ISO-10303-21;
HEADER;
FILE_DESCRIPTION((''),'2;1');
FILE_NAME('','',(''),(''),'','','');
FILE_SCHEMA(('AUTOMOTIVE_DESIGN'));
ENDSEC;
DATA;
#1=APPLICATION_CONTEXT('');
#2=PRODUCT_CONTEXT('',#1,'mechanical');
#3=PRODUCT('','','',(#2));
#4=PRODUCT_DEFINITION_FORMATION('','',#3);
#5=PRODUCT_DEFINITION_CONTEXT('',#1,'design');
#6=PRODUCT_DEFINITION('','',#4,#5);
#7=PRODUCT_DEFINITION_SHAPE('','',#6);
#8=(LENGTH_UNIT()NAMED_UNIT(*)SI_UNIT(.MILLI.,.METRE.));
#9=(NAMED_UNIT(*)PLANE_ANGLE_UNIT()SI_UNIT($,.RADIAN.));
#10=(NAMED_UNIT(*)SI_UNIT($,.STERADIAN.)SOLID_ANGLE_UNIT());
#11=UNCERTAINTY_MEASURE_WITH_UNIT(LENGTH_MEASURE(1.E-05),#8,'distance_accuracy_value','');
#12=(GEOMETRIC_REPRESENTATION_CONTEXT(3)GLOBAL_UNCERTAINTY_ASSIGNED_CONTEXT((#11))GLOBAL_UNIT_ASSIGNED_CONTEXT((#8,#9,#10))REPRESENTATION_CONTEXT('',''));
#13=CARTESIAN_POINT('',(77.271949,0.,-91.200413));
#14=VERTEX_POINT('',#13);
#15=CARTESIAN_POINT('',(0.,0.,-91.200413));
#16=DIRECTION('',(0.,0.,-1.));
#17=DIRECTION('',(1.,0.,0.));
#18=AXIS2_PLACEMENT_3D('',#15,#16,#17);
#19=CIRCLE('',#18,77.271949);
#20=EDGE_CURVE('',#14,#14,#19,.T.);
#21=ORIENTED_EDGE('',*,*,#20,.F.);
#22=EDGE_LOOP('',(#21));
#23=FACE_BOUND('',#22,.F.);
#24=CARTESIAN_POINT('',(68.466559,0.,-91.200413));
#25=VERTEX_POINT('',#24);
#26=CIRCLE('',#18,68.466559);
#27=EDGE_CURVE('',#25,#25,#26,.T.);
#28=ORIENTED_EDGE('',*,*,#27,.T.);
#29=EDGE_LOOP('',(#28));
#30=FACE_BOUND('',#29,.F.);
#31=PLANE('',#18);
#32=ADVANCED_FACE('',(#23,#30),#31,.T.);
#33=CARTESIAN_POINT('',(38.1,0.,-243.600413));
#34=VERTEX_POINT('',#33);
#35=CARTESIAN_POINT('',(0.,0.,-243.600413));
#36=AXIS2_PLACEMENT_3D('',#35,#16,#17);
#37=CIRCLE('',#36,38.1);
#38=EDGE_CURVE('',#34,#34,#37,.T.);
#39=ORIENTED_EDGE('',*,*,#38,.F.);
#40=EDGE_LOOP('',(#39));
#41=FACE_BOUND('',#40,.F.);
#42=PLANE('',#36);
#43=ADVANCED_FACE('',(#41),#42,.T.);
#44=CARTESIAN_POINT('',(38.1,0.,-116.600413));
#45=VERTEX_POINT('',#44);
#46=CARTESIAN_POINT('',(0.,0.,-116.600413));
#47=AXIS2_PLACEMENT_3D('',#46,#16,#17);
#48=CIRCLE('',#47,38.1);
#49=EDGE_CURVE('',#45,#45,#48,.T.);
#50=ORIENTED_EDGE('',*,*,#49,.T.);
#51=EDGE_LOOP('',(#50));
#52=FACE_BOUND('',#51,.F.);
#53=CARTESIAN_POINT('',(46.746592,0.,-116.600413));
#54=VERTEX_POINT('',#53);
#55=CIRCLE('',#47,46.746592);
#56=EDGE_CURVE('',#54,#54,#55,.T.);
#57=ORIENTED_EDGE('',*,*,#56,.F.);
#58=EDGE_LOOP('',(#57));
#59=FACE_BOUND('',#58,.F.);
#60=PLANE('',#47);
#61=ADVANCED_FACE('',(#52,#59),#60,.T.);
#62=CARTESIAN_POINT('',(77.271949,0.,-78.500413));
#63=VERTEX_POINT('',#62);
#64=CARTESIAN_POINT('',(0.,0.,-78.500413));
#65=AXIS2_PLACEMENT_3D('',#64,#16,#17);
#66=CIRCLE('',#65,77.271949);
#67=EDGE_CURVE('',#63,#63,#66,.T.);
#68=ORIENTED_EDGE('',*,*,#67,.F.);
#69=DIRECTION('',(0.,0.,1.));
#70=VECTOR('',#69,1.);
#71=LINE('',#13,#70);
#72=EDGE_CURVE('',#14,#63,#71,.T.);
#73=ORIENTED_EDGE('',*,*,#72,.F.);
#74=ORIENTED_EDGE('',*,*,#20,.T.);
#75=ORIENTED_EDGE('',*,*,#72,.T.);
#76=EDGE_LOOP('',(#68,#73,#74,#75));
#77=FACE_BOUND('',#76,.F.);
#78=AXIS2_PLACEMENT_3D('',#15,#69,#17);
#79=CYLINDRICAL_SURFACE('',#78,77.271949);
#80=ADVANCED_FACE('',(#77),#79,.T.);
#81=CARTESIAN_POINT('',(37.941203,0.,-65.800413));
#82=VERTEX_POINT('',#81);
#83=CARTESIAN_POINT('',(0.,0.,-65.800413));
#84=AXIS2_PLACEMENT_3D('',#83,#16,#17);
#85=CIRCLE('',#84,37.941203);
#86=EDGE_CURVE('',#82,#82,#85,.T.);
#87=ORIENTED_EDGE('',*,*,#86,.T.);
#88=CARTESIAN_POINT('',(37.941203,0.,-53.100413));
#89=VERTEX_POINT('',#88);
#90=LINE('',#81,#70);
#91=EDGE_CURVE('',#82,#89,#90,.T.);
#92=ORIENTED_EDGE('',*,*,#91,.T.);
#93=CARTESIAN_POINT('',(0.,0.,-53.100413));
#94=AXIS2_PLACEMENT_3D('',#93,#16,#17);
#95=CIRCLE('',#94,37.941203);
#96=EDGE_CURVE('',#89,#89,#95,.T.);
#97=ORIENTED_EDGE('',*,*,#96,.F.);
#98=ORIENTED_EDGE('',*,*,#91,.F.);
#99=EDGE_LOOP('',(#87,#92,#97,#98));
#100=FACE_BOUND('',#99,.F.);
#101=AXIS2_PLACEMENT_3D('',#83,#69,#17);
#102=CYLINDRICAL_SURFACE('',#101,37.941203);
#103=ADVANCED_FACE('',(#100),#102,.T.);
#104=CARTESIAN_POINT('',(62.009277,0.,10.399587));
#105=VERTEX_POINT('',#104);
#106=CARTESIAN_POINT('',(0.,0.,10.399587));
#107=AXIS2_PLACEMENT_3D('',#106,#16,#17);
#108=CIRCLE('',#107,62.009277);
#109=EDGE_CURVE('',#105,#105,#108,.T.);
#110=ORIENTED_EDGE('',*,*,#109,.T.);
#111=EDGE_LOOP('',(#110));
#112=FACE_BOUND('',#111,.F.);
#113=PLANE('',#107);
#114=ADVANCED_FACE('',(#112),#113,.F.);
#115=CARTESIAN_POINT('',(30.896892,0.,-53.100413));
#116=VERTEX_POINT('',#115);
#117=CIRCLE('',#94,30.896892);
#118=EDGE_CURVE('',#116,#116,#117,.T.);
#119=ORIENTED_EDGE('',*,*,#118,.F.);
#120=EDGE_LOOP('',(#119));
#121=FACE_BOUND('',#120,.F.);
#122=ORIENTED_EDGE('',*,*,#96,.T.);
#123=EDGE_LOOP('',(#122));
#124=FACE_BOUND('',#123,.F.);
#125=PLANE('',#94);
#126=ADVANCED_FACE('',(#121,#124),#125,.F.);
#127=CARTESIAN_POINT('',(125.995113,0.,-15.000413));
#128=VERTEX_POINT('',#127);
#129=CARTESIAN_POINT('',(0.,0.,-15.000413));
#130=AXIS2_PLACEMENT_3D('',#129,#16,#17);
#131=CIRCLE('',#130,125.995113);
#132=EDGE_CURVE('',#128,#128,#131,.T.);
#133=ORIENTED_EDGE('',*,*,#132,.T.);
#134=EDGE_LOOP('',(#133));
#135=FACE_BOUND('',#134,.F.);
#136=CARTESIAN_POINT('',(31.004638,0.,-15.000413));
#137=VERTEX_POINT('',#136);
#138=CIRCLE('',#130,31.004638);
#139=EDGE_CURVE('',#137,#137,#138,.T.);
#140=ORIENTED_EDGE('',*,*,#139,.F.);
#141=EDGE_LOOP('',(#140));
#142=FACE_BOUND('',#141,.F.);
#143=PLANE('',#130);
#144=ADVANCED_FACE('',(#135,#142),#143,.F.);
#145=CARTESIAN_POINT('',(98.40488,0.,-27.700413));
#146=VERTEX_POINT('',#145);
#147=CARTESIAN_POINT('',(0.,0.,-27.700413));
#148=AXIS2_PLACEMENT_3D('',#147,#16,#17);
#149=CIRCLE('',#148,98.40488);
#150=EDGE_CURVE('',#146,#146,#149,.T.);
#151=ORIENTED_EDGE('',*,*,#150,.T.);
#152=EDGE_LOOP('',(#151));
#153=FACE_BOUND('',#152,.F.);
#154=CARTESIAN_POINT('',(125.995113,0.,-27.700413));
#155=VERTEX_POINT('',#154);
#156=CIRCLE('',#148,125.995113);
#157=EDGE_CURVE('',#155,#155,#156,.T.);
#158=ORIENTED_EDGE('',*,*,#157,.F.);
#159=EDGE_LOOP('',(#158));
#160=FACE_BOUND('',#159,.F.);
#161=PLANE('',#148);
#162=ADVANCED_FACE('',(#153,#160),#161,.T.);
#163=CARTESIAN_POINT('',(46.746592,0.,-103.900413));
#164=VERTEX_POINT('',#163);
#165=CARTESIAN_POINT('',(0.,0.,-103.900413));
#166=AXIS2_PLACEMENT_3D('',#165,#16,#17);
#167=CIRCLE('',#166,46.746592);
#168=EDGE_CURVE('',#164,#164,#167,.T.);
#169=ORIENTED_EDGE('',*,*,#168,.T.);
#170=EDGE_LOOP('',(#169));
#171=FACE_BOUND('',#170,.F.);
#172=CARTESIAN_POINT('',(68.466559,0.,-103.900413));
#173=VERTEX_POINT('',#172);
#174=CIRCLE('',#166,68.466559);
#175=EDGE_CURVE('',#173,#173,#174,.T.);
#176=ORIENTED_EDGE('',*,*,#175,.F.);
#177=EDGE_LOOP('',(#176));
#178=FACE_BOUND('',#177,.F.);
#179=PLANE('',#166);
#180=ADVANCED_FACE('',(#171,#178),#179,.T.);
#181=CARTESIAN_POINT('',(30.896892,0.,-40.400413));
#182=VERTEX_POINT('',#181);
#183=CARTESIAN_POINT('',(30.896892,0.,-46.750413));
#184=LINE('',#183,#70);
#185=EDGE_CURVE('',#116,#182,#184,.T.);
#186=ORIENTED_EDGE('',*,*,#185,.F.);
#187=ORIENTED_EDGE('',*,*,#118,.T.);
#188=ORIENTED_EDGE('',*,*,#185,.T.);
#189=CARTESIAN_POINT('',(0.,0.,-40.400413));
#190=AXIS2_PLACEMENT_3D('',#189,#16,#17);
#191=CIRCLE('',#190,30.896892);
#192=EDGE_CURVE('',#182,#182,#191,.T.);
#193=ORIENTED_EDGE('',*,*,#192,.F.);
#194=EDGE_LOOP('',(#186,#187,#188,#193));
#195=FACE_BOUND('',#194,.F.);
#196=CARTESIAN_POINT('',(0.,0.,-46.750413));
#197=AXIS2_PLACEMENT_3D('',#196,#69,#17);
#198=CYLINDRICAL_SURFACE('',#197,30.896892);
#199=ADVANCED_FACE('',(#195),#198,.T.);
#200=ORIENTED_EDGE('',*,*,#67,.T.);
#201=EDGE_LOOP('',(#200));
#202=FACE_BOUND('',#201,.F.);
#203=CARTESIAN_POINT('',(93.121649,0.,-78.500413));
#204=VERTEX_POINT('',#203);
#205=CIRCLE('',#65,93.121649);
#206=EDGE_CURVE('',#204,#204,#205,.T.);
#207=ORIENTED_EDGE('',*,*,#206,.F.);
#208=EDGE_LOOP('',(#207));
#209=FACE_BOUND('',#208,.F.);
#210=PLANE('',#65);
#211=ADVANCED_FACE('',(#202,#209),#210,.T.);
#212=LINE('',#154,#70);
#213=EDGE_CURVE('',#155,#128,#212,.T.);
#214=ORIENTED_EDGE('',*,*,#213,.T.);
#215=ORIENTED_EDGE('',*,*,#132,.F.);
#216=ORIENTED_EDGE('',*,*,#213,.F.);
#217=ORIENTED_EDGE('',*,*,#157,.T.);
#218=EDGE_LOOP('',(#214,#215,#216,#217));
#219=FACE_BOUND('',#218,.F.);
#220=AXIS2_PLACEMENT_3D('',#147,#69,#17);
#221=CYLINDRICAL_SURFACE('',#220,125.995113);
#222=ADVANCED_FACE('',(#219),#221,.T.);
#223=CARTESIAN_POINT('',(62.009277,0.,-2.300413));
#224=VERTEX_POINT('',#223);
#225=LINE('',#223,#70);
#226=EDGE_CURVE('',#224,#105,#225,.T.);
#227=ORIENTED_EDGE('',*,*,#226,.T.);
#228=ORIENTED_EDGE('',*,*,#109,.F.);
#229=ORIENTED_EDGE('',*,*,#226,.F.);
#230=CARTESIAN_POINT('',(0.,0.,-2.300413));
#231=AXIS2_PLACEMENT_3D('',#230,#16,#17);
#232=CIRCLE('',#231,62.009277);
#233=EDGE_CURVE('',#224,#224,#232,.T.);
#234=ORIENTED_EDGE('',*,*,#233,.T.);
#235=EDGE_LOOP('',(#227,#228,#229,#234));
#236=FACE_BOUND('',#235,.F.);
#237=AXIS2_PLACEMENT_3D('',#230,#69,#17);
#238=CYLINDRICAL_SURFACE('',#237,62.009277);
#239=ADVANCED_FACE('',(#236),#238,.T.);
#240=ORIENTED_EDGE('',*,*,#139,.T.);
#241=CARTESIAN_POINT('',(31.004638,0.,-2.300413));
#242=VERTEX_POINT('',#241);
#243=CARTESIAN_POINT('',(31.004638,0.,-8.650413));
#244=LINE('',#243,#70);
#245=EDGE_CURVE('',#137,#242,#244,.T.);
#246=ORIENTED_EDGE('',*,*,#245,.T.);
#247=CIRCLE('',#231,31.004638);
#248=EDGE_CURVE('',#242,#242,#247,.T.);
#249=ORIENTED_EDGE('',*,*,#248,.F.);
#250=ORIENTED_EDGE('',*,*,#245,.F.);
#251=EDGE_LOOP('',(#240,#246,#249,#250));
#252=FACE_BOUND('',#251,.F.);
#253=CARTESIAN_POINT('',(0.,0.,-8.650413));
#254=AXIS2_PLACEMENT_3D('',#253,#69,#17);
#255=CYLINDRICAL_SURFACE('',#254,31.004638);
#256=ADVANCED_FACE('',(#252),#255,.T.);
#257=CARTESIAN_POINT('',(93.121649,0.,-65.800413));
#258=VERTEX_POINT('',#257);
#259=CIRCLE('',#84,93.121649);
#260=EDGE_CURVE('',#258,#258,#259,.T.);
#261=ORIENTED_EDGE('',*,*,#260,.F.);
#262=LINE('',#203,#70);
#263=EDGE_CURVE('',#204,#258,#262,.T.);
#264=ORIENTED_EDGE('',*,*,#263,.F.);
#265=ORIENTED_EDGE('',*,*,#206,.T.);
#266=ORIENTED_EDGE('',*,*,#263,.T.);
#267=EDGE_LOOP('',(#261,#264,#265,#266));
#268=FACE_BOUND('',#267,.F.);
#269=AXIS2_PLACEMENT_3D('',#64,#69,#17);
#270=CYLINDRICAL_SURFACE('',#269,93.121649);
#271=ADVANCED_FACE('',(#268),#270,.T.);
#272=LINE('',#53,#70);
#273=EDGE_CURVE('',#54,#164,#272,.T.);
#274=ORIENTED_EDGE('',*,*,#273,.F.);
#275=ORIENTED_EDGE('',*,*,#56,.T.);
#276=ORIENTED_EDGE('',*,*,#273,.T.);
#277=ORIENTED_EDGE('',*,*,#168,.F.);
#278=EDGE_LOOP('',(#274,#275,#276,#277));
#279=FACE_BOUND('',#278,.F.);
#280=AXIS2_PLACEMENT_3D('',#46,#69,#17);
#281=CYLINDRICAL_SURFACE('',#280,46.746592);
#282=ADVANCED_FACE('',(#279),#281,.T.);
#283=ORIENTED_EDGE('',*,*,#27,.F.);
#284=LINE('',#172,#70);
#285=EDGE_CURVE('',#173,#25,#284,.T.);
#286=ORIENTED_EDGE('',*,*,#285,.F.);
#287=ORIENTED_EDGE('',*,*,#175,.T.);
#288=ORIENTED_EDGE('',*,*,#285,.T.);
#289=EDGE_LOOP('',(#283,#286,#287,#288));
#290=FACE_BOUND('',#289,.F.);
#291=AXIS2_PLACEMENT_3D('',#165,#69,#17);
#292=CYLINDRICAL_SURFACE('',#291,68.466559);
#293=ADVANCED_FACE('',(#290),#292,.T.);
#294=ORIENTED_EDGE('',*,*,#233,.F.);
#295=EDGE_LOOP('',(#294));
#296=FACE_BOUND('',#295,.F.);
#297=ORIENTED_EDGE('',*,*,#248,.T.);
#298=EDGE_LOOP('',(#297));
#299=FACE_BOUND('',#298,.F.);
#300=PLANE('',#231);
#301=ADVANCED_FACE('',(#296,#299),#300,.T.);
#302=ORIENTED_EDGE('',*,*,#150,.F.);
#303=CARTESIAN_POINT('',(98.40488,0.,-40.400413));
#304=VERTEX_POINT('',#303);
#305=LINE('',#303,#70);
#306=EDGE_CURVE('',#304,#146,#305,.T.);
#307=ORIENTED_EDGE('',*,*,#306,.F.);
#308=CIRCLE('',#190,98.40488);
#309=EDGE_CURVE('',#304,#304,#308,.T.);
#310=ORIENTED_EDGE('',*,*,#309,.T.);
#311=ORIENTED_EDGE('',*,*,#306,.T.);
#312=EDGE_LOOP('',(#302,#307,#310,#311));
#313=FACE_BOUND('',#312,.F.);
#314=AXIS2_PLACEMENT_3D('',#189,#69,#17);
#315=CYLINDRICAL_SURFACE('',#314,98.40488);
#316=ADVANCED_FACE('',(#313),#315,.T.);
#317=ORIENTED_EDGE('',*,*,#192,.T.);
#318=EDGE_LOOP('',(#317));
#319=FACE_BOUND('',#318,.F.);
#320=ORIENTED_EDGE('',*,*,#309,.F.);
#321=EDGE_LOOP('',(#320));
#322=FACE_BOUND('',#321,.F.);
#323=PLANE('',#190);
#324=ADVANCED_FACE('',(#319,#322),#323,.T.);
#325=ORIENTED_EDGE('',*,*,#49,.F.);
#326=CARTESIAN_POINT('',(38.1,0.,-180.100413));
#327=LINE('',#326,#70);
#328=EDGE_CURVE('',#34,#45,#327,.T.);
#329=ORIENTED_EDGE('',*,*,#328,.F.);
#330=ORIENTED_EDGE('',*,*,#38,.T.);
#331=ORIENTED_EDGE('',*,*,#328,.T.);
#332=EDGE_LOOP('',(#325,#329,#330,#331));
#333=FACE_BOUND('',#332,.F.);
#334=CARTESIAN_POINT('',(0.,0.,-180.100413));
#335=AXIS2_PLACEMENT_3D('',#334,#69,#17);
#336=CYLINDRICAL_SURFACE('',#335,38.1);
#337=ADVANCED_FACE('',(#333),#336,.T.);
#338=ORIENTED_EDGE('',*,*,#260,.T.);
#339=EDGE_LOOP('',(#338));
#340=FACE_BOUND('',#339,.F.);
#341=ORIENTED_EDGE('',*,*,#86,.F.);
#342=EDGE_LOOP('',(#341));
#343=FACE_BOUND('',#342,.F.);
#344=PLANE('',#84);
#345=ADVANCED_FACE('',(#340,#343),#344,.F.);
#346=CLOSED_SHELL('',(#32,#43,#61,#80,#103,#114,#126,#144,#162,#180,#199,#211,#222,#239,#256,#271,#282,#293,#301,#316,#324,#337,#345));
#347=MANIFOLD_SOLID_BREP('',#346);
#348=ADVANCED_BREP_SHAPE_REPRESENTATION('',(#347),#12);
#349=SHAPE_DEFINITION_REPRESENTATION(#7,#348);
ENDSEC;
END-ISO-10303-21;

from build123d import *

# Parameters (mm, degrees)
F0_W   = 31.004638
F0_H   = 12.7
F0_W_2 = 30.896892
F0_W_3 = 38.1
F0_H_2 = 127


with BuildPart() as f1:
    # F0 (on Front) → F1 (revolve)
    with BuildSketch(Plane.XZ):
        Polygon((62.009277, 10.399587), (0, 10.399587), (0, -2.300413), (31.004638, -2.300413), (62.009277, -2.300413), align=None)
        with Locations((15.502319, -8.650413)):
            Rectangle(F0_W, F0_H)
        Polygon((31.004638, -15.000413), (0, -15.000413), (0, -27.700413), (98.40488, -27.700413), (125.995113, -27.700413), (125.995113, -15.000413), align=None)
        Polygon((98.40488, -27.700413), (0, -27.700413), (0, -40.400413), (30.896892, -40.400413), (98.40488, -40.400413), align=None)
        with Locations((15.448446, -46.750413)):
            Rectangle(F0_W_2, F0_H)
        Polygon((30.896892, -53.100413), (0, -53.100413), (0, -65.800413), (37.941203, -65.800413), (37.941203, -53.100413), align=None)
        Polygon((37.941203, -65.800413), (0, -65.800413), (0, -78.500413), (77.271949, -78.500413), (93.121649, -78.500413), (93.121649, -65.800413), align=None)
        Polygon((77.271949, -78.500413), (0, -78.500413), (0, -91.200413), (68.466559, -91.200413), (77.271949, -91.200413), align=None)
        Polygon((68.466559, -91.200413), (0, -91.200413), (0, -103.900413), (46.746592, -103.900413), (68.466559, -103.900413), align=None)
        Polygon((46.746592, -103.900413), (0, -103.900413), (0, -116.600413), (38.1, -116.600413), (46.746592, -116.600413), align=None)
        with Locations((19.05, -180.100413)):
            Rectangle(F0_W_3, F0_H_2)
    revolve(axis=Axis((0, 0, -180.100413), (0, 0, -1)))


solid = f1.part
